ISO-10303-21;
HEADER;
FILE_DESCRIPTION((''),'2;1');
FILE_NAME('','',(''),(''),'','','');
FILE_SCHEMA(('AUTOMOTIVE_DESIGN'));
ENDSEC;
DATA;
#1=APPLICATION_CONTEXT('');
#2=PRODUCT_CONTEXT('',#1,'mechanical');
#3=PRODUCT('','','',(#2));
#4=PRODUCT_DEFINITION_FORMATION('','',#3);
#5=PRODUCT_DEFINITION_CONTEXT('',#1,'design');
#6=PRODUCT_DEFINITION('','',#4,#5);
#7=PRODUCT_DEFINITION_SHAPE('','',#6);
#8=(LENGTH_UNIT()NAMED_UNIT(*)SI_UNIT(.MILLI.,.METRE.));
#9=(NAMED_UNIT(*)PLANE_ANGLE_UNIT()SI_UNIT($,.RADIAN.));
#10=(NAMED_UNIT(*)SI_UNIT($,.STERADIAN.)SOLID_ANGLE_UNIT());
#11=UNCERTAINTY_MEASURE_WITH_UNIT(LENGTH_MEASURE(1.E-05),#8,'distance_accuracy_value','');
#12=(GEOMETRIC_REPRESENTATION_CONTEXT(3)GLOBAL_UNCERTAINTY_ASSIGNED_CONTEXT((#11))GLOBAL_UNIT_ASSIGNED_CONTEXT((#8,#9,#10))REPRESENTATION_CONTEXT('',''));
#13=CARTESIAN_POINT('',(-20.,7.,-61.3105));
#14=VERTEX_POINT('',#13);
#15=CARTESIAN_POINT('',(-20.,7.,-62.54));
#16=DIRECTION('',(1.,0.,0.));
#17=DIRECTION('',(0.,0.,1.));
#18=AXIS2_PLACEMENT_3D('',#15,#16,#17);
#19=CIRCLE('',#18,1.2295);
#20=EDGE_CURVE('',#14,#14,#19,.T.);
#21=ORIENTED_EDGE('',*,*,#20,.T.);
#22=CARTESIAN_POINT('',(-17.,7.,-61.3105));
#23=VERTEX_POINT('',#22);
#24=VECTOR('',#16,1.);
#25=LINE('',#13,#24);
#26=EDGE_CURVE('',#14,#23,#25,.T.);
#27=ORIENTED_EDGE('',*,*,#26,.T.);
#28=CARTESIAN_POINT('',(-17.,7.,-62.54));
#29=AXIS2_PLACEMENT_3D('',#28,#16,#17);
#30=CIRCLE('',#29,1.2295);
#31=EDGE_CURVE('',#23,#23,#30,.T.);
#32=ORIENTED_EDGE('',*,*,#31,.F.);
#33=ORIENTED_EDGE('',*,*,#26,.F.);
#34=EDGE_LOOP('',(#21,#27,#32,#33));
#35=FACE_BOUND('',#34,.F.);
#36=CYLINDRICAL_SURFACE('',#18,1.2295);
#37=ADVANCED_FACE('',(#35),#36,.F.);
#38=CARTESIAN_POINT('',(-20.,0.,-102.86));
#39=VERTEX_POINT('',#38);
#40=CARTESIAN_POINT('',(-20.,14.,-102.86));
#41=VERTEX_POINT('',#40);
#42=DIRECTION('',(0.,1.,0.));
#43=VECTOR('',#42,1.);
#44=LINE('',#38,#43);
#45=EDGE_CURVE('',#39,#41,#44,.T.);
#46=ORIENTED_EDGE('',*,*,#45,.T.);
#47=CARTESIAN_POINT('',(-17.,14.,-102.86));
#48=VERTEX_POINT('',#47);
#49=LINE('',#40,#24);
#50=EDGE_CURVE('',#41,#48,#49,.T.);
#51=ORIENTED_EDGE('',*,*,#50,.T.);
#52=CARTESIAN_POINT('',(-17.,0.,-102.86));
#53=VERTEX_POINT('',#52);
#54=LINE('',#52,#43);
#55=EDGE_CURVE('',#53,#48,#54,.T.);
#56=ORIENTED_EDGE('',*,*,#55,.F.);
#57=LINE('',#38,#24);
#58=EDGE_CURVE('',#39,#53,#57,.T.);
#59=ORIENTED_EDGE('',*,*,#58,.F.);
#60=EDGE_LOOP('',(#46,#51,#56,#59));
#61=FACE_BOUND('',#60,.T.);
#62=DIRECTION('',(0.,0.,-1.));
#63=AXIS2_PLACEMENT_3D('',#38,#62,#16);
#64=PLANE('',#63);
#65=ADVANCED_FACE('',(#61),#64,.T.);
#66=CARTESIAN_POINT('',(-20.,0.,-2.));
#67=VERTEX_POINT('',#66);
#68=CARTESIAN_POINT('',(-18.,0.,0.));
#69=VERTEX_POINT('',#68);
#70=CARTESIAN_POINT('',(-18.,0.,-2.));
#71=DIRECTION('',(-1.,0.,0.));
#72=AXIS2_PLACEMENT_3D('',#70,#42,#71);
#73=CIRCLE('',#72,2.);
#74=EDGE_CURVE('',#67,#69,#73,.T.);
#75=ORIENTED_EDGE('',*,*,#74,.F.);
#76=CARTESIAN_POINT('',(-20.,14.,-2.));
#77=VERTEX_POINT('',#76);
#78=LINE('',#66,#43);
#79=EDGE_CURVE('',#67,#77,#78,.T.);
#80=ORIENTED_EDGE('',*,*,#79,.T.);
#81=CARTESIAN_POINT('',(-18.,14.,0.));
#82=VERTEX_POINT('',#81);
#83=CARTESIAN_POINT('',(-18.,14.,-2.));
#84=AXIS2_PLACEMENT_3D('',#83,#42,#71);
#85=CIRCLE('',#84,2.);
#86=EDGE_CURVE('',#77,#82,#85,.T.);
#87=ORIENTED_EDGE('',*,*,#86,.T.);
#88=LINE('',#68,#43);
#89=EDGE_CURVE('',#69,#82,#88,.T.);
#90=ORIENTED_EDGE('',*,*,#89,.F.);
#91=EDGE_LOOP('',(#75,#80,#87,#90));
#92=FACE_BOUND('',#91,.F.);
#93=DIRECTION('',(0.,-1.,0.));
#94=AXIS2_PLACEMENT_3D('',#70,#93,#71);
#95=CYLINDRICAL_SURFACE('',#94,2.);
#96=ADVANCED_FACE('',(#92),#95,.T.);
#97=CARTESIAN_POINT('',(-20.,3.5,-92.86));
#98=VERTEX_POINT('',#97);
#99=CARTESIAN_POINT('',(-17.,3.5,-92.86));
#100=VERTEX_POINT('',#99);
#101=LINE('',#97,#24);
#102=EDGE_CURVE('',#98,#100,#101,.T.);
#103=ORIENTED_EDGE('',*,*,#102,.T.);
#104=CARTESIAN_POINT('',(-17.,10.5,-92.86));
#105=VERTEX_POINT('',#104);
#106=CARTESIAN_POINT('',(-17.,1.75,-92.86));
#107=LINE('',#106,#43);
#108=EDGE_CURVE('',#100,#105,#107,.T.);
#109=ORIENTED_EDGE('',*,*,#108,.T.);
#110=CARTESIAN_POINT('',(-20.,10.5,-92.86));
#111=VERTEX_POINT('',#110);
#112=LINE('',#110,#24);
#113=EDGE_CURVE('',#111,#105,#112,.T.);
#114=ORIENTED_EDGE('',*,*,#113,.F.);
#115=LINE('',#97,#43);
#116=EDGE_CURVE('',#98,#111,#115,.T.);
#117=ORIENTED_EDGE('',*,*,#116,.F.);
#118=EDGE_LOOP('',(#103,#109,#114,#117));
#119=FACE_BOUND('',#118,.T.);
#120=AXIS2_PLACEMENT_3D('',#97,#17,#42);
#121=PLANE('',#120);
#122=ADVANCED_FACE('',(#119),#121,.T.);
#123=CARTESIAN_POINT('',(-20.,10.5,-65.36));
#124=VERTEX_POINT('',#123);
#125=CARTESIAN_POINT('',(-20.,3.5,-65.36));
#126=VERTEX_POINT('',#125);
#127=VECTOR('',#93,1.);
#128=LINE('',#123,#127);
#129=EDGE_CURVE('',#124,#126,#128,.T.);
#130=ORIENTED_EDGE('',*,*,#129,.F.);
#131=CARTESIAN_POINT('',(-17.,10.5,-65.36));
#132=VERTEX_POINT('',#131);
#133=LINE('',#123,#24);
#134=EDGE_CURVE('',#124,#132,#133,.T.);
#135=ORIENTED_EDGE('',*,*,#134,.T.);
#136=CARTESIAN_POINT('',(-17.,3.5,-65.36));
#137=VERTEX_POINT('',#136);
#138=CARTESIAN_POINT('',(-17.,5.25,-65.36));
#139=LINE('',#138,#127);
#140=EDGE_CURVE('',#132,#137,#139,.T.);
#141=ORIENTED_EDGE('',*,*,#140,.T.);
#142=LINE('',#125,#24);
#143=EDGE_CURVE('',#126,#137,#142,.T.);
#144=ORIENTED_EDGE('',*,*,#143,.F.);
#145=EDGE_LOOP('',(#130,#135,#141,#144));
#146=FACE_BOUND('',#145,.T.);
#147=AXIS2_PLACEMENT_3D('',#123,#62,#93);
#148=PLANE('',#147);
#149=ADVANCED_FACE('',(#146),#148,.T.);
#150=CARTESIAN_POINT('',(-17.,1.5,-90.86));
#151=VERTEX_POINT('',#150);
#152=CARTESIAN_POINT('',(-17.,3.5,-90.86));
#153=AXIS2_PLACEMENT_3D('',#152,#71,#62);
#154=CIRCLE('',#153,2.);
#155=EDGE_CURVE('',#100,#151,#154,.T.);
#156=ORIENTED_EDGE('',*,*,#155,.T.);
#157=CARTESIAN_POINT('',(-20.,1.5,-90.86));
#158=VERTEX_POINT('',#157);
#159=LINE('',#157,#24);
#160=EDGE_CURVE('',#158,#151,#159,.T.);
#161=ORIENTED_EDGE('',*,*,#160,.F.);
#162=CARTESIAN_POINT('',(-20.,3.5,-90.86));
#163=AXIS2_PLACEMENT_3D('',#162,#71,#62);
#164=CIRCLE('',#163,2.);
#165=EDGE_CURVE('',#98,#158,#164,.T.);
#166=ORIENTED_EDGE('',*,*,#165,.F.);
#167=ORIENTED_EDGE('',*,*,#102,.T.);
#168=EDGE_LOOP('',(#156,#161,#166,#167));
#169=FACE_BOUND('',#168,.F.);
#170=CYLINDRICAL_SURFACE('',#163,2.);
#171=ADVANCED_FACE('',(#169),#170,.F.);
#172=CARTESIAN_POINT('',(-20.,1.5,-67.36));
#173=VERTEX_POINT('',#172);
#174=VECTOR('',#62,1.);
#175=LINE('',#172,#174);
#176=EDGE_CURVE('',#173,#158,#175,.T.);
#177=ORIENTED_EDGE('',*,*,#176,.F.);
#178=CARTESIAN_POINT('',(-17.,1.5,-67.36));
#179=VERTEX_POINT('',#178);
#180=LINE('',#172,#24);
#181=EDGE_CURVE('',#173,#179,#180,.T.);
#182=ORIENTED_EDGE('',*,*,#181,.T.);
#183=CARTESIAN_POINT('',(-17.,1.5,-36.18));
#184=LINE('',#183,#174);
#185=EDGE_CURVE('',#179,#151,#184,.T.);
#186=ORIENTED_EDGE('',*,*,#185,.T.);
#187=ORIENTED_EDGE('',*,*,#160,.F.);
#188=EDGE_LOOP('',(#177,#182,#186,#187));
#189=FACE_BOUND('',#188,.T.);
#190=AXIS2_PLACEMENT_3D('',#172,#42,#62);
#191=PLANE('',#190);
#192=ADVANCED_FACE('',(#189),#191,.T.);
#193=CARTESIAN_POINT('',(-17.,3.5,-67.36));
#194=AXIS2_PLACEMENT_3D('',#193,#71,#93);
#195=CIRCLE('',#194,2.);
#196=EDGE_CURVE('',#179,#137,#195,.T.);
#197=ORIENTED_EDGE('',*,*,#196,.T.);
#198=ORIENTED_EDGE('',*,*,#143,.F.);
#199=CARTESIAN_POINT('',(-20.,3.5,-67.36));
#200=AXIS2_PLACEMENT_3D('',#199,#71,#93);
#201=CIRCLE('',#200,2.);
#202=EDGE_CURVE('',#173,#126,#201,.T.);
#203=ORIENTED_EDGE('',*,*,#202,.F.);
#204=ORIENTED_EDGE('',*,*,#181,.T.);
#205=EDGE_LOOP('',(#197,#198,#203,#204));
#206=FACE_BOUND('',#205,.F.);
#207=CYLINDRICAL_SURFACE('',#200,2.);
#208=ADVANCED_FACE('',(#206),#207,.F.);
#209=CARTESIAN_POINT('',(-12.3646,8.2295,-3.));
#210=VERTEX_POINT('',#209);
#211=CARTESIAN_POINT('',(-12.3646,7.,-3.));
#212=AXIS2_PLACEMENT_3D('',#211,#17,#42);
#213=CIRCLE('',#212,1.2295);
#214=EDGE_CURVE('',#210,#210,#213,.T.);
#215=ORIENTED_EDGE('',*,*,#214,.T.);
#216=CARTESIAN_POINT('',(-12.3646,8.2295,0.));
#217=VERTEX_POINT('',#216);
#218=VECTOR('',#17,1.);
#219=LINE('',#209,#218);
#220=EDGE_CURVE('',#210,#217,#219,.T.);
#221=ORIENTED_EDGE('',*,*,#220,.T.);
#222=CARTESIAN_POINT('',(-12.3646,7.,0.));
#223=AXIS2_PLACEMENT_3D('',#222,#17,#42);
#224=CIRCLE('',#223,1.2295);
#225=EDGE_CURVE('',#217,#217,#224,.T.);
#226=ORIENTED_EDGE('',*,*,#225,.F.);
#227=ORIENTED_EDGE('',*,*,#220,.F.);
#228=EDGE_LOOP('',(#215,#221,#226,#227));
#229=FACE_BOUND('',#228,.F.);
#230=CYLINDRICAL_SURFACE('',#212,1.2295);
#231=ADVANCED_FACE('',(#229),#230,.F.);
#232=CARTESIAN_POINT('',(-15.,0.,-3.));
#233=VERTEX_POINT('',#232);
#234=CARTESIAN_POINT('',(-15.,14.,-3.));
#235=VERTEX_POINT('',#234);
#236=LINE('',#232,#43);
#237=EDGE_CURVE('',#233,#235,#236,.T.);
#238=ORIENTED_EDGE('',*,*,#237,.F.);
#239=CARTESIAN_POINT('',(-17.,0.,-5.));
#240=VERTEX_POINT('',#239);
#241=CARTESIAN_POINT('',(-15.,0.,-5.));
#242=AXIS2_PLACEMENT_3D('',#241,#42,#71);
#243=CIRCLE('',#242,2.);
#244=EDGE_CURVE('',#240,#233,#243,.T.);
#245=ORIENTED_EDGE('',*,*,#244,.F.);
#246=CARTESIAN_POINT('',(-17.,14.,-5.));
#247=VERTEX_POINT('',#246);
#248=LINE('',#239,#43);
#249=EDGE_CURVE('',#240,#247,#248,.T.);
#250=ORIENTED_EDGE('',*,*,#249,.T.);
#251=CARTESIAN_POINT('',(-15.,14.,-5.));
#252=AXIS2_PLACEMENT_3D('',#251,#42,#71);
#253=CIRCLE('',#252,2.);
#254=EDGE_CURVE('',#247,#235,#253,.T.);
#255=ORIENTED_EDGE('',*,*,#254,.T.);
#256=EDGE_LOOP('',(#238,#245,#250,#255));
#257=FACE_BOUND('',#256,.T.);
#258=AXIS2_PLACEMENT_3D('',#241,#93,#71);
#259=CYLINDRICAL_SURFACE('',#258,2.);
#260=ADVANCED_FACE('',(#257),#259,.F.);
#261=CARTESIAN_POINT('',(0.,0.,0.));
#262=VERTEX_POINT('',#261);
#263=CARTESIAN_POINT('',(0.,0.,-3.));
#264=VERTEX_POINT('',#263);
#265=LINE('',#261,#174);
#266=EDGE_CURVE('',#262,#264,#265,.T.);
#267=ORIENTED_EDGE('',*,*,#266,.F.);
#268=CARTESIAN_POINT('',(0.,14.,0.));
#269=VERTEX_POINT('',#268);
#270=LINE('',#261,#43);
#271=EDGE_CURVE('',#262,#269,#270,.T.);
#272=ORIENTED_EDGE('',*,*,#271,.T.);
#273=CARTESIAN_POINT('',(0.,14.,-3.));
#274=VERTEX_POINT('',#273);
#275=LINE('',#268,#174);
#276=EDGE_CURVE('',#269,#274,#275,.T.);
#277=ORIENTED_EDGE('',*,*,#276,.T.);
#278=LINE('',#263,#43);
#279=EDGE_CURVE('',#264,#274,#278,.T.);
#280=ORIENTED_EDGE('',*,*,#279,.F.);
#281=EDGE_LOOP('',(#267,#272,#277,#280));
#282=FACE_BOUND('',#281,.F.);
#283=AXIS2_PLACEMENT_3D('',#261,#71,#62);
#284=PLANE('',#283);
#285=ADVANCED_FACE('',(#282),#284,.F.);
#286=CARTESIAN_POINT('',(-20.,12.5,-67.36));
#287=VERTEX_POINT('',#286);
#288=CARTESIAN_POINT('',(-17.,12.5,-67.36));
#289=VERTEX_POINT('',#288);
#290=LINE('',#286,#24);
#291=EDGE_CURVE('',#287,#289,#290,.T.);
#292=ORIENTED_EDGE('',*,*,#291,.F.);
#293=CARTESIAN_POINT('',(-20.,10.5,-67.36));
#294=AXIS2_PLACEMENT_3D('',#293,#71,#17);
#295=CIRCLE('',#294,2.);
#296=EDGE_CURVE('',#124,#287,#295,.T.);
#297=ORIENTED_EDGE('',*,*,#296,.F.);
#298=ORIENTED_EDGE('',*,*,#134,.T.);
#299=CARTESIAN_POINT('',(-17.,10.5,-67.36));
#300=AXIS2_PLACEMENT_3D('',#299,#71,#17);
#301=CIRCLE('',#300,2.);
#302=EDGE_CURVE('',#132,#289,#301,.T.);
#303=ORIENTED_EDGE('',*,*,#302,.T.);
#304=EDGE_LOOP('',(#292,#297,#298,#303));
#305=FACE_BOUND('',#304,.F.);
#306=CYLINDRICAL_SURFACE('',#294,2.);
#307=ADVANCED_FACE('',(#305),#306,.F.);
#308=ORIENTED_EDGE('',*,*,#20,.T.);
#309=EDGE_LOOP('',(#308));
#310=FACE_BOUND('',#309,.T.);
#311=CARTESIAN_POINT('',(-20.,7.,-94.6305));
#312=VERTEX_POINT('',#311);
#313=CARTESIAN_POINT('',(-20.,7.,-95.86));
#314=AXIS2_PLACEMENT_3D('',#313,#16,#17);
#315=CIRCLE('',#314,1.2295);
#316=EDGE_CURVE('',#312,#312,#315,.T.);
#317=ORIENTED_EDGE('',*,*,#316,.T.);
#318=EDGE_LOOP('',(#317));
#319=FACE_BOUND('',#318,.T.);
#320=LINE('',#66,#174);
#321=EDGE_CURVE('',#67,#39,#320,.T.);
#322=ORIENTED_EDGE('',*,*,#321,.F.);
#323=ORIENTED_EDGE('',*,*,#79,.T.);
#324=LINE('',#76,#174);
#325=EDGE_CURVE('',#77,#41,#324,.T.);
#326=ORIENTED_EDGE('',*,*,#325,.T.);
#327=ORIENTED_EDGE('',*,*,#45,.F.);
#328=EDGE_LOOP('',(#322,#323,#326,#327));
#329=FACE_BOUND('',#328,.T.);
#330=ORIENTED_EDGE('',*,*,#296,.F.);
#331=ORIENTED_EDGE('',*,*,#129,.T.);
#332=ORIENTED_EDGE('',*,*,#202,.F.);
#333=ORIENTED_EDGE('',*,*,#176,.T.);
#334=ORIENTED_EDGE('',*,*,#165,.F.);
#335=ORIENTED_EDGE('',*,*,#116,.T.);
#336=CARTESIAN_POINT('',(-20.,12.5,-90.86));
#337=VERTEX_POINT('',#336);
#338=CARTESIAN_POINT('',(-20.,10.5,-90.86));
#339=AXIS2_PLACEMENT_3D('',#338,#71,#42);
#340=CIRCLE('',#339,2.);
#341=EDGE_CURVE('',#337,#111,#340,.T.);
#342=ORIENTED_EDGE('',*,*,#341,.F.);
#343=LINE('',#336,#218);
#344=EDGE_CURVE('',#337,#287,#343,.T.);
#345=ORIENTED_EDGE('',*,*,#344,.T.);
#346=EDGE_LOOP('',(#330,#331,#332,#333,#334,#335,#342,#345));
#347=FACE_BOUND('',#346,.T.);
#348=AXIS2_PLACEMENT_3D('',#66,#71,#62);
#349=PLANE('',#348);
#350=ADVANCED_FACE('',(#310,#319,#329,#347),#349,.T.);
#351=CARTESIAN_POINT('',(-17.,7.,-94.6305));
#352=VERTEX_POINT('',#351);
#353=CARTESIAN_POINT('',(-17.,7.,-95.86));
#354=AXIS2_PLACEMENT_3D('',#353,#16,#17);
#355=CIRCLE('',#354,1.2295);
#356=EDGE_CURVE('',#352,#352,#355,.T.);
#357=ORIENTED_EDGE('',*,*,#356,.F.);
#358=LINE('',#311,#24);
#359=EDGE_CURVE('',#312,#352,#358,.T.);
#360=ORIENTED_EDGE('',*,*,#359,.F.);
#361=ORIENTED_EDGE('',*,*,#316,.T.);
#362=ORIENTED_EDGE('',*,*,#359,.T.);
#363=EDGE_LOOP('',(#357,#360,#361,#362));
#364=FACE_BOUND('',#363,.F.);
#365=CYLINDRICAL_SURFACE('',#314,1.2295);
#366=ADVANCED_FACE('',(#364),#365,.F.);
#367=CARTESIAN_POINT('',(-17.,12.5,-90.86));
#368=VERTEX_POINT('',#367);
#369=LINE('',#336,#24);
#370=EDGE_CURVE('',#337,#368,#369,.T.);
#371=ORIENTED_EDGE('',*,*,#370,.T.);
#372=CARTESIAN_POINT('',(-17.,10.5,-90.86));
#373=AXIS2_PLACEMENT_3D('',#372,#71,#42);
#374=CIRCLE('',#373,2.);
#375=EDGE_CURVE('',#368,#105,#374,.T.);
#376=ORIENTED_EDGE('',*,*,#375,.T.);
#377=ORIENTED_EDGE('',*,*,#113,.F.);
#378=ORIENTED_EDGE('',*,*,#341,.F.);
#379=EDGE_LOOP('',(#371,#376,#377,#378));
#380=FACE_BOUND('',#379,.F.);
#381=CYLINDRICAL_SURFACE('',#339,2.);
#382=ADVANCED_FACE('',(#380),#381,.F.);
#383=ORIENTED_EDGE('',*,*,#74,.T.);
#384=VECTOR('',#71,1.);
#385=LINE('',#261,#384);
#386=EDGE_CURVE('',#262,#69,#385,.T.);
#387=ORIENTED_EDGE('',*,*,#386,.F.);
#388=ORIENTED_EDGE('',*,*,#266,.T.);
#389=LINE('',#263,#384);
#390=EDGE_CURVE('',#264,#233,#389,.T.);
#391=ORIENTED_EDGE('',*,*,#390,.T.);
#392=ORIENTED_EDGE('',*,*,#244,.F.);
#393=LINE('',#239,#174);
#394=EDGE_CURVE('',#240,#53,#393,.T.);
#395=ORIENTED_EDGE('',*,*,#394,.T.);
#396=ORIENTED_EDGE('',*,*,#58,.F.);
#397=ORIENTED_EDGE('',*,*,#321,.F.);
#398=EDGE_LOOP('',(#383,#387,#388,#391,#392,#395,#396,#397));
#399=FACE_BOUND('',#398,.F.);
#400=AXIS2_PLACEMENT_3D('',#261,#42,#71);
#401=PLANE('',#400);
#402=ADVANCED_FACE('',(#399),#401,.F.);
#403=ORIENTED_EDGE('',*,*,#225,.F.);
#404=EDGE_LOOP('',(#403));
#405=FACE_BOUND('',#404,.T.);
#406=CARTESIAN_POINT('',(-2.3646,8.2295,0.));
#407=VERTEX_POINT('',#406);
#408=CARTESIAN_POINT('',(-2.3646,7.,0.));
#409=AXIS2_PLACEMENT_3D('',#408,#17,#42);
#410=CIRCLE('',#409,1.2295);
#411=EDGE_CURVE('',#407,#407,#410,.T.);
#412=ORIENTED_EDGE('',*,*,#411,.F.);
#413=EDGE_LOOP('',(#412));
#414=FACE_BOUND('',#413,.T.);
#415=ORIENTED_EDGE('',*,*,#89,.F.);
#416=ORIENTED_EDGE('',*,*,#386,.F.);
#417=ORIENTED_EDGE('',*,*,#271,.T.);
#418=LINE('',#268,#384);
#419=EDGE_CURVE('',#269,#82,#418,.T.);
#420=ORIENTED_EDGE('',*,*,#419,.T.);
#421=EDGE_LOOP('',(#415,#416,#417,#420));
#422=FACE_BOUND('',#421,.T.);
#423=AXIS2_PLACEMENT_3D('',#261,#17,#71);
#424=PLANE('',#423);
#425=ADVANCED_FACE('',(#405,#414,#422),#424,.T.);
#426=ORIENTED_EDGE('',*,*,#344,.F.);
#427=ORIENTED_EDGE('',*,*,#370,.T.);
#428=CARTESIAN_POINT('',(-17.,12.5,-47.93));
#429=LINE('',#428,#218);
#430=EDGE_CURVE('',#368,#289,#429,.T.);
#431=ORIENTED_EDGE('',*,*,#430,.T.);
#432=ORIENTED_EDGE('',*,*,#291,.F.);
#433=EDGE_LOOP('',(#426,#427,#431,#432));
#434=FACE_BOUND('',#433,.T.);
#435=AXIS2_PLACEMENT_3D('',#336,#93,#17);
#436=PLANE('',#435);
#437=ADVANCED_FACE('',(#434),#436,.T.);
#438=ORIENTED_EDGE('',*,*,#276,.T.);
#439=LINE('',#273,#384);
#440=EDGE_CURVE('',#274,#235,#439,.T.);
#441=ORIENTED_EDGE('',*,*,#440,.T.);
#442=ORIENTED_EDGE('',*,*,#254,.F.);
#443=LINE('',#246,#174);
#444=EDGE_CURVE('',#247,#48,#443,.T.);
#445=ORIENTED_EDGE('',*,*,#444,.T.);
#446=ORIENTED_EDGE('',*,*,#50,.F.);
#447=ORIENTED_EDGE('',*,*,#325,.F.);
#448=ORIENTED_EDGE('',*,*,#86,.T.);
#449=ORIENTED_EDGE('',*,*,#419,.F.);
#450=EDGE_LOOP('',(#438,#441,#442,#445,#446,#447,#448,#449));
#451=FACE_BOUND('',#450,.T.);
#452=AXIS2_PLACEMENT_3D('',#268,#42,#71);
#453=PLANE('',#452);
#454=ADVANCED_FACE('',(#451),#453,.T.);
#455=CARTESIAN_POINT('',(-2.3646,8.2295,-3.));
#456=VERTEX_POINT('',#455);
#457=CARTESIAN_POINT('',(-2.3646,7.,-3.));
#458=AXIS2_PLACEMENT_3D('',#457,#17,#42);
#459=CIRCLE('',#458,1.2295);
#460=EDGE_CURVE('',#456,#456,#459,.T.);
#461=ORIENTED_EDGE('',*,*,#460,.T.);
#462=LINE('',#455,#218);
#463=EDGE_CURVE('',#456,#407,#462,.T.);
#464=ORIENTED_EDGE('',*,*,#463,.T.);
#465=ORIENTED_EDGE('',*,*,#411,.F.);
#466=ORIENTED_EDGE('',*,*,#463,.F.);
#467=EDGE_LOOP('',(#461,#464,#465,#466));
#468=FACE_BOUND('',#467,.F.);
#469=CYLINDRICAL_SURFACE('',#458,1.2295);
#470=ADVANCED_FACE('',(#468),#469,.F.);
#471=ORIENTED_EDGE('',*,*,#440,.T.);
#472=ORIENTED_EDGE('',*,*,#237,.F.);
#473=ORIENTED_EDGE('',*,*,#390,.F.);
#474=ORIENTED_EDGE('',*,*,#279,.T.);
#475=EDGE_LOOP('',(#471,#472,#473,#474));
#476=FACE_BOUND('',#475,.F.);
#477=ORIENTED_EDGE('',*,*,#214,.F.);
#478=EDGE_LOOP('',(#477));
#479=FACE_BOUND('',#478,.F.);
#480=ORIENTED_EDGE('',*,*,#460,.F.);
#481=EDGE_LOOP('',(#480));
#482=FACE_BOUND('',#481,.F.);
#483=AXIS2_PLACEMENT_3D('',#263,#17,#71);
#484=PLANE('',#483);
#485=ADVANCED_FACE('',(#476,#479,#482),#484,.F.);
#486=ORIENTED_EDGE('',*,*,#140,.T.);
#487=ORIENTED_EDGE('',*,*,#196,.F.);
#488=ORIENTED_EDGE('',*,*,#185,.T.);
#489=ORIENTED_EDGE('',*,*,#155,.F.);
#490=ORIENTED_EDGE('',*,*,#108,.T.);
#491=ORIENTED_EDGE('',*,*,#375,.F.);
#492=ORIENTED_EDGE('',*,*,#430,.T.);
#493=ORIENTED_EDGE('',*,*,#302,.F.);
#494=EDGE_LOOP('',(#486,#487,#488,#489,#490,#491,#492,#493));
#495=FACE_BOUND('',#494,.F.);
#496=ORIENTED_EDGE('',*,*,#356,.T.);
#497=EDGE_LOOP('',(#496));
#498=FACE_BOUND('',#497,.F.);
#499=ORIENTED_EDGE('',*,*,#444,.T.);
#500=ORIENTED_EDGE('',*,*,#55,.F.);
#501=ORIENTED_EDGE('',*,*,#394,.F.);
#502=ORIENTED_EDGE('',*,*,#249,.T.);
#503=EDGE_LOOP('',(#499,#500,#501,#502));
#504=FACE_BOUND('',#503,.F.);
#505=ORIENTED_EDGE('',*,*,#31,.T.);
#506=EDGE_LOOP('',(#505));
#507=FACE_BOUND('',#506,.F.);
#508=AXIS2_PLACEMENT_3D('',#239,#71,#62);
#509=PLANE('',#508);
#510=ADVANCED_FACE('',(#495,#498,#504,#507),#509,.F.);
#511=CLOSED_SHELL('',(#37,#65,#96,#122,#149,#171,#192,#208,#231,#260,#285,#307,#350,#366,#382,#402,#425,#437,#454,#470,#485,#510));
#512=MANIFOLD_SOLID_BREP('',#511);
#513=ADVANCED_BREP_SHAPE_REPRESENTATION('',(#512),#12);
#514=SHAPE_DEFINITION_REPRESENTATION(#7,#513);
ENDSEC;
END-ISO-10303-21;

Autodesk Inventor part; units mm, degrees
ref_plane "YZ Plane" through (0, 0, 0) normal (1, 0, 0) x (0, 1, 0)
ref_plane "XZ Plane" through (0, 0, 0) normal (0, 1, 0) x (-1, 0, 0)
ref_plane "XY Plane" through (0, 0, 0) normal (0, 0, 1) x (1, 0, 0)
sketch "Sketch1" plane through (0, 0, 0) normal (0, 1, 0) x (-1, 0, 0)
  line L0 (0, 0) -> (0, -3)
  line L1 (0, -3) -> (15, -3)
  line L2 (17, -5) -> (17, -102.86)
  line L3 (0, 0) -> (18, 0)
  line L4 (20, -2) -> (20, -102.86)
  line L5 (20, -102.86) -> (17, -102.86)
  arc A0 (17, -5) -> (15, -3) centre (15, -5) ccw
  arc A1 (20, -2) -> (18, 0) centre (18, -2) ccw
  point P0 (17, -3)
  point P1 (20, 0)
  dimension "d0" = 3
  dimension "d1" = 17
  dimension "d2" = 99.86
  dimension "d3" = 20
  dimension "d4" = 2
extrude "Extrusion1" add sketch "Sketch1" along normal blind 14
sketch "Sketch2" plane through (0, 0, -3) normal (0, 0, -1) x (-1, 0, 0)
  point P0 (0, 0)
sketch "Sketch3" plane through (0, 0, -3) normal (0, 0, -1) x (-1, 0, 0)
  circle A0 centre (2.3646, 7) radius 1.5
  circle A1 centre (12.3646, 7) radius 1.5
  line L0 (0, 14) -> (15, 14) projected
  line L1 (0, 0) -> (15, 0) projected
  dimension "d7" = 3
  dimension "d8" = 3
  dimension "d9" = 14
  dimension "d10" = 7
  dimension "d11" = 10
hole "Hole1" at (-2.3646, 7, -3) at (-12.3646, 7, -3) direction (0, 0, 1) diameter 2.459 depth 8.8 tip angle 118 thread size "M3x0.5" class "6H" standard "ISO Metric profile"
sketch "Sketch4" plane through (-20, 0, -102.86) normal (-1, 0, 0) x (0, 0, 1)
  line L0 (12, 12.5) -> (35.5, 12.5)
  line L1 (37.5, 10.5) -> (37.5, 3.5)
  line L2 (35.5, 1.5) -> (12, 1.5)
  line L3 (10, 3.5) -> (10, 10.5)
  line L4 (0, 14) -> (100.86, 14) projected
  line L5 (0, 0) -> (100.86, 0) projected
  line L6 (0, 0) -> (0, 14) projected
  circle A0 centre (7, 7) radius 1.5
  circle A1 centre (40.32, 7) radius 1.5
  arc A2 (12, 12.5) -> (10, 10.5) centre (12, 10.5) ccw
  arc A3 (10, 3.5) -> (12, 1.5) centre (12, 3.5) ccw
  arc A4 (37.5, 10.5) -> (35.5, 12.5) centre (35.5, 10.5) ccw
  arc A5 (35.5, 1.5) -> (37.5, 3.5) centre (35.5, 3.5) ccw
  point P0 (102.86, 0)
  point P1 (10, 12.5)
  point P2 (37.5, 1.5)
  point P3 (37.5, 12.5)
  point P4 (10, 1.5)
  dimension "d19" = 27.5
  dimension "d20" = 11
  dimension "d21" = 14
  dimension "d22" = 1.5
  dimension "d23" = 10
  dimension "d24" = 3
  dimension "d25" = 3
  dimension "d26" = 33.32
  dimension "d29" = 7
  dimension "d39" = 2
hole "Hole2" at (-20, 7, -62.54) at (-20, 7, -95.86) direction (1, 0, 0) diameter 2.459 depth 8.8 tip angle 118 thread size "M3x0.5" class "6H" standard "ISO Metric profile"
extrude "Extrusion2" cut sketch "Sketch4" against normal blind 14 contours L0 A4 L1 A5 L2 A3 L3 A2
equation "\"d10\" = 0.5 * d9"
equation "\"d22\" = -0.5 * d20 + 0.5 * d21"
properties part number "płytka złącza"
